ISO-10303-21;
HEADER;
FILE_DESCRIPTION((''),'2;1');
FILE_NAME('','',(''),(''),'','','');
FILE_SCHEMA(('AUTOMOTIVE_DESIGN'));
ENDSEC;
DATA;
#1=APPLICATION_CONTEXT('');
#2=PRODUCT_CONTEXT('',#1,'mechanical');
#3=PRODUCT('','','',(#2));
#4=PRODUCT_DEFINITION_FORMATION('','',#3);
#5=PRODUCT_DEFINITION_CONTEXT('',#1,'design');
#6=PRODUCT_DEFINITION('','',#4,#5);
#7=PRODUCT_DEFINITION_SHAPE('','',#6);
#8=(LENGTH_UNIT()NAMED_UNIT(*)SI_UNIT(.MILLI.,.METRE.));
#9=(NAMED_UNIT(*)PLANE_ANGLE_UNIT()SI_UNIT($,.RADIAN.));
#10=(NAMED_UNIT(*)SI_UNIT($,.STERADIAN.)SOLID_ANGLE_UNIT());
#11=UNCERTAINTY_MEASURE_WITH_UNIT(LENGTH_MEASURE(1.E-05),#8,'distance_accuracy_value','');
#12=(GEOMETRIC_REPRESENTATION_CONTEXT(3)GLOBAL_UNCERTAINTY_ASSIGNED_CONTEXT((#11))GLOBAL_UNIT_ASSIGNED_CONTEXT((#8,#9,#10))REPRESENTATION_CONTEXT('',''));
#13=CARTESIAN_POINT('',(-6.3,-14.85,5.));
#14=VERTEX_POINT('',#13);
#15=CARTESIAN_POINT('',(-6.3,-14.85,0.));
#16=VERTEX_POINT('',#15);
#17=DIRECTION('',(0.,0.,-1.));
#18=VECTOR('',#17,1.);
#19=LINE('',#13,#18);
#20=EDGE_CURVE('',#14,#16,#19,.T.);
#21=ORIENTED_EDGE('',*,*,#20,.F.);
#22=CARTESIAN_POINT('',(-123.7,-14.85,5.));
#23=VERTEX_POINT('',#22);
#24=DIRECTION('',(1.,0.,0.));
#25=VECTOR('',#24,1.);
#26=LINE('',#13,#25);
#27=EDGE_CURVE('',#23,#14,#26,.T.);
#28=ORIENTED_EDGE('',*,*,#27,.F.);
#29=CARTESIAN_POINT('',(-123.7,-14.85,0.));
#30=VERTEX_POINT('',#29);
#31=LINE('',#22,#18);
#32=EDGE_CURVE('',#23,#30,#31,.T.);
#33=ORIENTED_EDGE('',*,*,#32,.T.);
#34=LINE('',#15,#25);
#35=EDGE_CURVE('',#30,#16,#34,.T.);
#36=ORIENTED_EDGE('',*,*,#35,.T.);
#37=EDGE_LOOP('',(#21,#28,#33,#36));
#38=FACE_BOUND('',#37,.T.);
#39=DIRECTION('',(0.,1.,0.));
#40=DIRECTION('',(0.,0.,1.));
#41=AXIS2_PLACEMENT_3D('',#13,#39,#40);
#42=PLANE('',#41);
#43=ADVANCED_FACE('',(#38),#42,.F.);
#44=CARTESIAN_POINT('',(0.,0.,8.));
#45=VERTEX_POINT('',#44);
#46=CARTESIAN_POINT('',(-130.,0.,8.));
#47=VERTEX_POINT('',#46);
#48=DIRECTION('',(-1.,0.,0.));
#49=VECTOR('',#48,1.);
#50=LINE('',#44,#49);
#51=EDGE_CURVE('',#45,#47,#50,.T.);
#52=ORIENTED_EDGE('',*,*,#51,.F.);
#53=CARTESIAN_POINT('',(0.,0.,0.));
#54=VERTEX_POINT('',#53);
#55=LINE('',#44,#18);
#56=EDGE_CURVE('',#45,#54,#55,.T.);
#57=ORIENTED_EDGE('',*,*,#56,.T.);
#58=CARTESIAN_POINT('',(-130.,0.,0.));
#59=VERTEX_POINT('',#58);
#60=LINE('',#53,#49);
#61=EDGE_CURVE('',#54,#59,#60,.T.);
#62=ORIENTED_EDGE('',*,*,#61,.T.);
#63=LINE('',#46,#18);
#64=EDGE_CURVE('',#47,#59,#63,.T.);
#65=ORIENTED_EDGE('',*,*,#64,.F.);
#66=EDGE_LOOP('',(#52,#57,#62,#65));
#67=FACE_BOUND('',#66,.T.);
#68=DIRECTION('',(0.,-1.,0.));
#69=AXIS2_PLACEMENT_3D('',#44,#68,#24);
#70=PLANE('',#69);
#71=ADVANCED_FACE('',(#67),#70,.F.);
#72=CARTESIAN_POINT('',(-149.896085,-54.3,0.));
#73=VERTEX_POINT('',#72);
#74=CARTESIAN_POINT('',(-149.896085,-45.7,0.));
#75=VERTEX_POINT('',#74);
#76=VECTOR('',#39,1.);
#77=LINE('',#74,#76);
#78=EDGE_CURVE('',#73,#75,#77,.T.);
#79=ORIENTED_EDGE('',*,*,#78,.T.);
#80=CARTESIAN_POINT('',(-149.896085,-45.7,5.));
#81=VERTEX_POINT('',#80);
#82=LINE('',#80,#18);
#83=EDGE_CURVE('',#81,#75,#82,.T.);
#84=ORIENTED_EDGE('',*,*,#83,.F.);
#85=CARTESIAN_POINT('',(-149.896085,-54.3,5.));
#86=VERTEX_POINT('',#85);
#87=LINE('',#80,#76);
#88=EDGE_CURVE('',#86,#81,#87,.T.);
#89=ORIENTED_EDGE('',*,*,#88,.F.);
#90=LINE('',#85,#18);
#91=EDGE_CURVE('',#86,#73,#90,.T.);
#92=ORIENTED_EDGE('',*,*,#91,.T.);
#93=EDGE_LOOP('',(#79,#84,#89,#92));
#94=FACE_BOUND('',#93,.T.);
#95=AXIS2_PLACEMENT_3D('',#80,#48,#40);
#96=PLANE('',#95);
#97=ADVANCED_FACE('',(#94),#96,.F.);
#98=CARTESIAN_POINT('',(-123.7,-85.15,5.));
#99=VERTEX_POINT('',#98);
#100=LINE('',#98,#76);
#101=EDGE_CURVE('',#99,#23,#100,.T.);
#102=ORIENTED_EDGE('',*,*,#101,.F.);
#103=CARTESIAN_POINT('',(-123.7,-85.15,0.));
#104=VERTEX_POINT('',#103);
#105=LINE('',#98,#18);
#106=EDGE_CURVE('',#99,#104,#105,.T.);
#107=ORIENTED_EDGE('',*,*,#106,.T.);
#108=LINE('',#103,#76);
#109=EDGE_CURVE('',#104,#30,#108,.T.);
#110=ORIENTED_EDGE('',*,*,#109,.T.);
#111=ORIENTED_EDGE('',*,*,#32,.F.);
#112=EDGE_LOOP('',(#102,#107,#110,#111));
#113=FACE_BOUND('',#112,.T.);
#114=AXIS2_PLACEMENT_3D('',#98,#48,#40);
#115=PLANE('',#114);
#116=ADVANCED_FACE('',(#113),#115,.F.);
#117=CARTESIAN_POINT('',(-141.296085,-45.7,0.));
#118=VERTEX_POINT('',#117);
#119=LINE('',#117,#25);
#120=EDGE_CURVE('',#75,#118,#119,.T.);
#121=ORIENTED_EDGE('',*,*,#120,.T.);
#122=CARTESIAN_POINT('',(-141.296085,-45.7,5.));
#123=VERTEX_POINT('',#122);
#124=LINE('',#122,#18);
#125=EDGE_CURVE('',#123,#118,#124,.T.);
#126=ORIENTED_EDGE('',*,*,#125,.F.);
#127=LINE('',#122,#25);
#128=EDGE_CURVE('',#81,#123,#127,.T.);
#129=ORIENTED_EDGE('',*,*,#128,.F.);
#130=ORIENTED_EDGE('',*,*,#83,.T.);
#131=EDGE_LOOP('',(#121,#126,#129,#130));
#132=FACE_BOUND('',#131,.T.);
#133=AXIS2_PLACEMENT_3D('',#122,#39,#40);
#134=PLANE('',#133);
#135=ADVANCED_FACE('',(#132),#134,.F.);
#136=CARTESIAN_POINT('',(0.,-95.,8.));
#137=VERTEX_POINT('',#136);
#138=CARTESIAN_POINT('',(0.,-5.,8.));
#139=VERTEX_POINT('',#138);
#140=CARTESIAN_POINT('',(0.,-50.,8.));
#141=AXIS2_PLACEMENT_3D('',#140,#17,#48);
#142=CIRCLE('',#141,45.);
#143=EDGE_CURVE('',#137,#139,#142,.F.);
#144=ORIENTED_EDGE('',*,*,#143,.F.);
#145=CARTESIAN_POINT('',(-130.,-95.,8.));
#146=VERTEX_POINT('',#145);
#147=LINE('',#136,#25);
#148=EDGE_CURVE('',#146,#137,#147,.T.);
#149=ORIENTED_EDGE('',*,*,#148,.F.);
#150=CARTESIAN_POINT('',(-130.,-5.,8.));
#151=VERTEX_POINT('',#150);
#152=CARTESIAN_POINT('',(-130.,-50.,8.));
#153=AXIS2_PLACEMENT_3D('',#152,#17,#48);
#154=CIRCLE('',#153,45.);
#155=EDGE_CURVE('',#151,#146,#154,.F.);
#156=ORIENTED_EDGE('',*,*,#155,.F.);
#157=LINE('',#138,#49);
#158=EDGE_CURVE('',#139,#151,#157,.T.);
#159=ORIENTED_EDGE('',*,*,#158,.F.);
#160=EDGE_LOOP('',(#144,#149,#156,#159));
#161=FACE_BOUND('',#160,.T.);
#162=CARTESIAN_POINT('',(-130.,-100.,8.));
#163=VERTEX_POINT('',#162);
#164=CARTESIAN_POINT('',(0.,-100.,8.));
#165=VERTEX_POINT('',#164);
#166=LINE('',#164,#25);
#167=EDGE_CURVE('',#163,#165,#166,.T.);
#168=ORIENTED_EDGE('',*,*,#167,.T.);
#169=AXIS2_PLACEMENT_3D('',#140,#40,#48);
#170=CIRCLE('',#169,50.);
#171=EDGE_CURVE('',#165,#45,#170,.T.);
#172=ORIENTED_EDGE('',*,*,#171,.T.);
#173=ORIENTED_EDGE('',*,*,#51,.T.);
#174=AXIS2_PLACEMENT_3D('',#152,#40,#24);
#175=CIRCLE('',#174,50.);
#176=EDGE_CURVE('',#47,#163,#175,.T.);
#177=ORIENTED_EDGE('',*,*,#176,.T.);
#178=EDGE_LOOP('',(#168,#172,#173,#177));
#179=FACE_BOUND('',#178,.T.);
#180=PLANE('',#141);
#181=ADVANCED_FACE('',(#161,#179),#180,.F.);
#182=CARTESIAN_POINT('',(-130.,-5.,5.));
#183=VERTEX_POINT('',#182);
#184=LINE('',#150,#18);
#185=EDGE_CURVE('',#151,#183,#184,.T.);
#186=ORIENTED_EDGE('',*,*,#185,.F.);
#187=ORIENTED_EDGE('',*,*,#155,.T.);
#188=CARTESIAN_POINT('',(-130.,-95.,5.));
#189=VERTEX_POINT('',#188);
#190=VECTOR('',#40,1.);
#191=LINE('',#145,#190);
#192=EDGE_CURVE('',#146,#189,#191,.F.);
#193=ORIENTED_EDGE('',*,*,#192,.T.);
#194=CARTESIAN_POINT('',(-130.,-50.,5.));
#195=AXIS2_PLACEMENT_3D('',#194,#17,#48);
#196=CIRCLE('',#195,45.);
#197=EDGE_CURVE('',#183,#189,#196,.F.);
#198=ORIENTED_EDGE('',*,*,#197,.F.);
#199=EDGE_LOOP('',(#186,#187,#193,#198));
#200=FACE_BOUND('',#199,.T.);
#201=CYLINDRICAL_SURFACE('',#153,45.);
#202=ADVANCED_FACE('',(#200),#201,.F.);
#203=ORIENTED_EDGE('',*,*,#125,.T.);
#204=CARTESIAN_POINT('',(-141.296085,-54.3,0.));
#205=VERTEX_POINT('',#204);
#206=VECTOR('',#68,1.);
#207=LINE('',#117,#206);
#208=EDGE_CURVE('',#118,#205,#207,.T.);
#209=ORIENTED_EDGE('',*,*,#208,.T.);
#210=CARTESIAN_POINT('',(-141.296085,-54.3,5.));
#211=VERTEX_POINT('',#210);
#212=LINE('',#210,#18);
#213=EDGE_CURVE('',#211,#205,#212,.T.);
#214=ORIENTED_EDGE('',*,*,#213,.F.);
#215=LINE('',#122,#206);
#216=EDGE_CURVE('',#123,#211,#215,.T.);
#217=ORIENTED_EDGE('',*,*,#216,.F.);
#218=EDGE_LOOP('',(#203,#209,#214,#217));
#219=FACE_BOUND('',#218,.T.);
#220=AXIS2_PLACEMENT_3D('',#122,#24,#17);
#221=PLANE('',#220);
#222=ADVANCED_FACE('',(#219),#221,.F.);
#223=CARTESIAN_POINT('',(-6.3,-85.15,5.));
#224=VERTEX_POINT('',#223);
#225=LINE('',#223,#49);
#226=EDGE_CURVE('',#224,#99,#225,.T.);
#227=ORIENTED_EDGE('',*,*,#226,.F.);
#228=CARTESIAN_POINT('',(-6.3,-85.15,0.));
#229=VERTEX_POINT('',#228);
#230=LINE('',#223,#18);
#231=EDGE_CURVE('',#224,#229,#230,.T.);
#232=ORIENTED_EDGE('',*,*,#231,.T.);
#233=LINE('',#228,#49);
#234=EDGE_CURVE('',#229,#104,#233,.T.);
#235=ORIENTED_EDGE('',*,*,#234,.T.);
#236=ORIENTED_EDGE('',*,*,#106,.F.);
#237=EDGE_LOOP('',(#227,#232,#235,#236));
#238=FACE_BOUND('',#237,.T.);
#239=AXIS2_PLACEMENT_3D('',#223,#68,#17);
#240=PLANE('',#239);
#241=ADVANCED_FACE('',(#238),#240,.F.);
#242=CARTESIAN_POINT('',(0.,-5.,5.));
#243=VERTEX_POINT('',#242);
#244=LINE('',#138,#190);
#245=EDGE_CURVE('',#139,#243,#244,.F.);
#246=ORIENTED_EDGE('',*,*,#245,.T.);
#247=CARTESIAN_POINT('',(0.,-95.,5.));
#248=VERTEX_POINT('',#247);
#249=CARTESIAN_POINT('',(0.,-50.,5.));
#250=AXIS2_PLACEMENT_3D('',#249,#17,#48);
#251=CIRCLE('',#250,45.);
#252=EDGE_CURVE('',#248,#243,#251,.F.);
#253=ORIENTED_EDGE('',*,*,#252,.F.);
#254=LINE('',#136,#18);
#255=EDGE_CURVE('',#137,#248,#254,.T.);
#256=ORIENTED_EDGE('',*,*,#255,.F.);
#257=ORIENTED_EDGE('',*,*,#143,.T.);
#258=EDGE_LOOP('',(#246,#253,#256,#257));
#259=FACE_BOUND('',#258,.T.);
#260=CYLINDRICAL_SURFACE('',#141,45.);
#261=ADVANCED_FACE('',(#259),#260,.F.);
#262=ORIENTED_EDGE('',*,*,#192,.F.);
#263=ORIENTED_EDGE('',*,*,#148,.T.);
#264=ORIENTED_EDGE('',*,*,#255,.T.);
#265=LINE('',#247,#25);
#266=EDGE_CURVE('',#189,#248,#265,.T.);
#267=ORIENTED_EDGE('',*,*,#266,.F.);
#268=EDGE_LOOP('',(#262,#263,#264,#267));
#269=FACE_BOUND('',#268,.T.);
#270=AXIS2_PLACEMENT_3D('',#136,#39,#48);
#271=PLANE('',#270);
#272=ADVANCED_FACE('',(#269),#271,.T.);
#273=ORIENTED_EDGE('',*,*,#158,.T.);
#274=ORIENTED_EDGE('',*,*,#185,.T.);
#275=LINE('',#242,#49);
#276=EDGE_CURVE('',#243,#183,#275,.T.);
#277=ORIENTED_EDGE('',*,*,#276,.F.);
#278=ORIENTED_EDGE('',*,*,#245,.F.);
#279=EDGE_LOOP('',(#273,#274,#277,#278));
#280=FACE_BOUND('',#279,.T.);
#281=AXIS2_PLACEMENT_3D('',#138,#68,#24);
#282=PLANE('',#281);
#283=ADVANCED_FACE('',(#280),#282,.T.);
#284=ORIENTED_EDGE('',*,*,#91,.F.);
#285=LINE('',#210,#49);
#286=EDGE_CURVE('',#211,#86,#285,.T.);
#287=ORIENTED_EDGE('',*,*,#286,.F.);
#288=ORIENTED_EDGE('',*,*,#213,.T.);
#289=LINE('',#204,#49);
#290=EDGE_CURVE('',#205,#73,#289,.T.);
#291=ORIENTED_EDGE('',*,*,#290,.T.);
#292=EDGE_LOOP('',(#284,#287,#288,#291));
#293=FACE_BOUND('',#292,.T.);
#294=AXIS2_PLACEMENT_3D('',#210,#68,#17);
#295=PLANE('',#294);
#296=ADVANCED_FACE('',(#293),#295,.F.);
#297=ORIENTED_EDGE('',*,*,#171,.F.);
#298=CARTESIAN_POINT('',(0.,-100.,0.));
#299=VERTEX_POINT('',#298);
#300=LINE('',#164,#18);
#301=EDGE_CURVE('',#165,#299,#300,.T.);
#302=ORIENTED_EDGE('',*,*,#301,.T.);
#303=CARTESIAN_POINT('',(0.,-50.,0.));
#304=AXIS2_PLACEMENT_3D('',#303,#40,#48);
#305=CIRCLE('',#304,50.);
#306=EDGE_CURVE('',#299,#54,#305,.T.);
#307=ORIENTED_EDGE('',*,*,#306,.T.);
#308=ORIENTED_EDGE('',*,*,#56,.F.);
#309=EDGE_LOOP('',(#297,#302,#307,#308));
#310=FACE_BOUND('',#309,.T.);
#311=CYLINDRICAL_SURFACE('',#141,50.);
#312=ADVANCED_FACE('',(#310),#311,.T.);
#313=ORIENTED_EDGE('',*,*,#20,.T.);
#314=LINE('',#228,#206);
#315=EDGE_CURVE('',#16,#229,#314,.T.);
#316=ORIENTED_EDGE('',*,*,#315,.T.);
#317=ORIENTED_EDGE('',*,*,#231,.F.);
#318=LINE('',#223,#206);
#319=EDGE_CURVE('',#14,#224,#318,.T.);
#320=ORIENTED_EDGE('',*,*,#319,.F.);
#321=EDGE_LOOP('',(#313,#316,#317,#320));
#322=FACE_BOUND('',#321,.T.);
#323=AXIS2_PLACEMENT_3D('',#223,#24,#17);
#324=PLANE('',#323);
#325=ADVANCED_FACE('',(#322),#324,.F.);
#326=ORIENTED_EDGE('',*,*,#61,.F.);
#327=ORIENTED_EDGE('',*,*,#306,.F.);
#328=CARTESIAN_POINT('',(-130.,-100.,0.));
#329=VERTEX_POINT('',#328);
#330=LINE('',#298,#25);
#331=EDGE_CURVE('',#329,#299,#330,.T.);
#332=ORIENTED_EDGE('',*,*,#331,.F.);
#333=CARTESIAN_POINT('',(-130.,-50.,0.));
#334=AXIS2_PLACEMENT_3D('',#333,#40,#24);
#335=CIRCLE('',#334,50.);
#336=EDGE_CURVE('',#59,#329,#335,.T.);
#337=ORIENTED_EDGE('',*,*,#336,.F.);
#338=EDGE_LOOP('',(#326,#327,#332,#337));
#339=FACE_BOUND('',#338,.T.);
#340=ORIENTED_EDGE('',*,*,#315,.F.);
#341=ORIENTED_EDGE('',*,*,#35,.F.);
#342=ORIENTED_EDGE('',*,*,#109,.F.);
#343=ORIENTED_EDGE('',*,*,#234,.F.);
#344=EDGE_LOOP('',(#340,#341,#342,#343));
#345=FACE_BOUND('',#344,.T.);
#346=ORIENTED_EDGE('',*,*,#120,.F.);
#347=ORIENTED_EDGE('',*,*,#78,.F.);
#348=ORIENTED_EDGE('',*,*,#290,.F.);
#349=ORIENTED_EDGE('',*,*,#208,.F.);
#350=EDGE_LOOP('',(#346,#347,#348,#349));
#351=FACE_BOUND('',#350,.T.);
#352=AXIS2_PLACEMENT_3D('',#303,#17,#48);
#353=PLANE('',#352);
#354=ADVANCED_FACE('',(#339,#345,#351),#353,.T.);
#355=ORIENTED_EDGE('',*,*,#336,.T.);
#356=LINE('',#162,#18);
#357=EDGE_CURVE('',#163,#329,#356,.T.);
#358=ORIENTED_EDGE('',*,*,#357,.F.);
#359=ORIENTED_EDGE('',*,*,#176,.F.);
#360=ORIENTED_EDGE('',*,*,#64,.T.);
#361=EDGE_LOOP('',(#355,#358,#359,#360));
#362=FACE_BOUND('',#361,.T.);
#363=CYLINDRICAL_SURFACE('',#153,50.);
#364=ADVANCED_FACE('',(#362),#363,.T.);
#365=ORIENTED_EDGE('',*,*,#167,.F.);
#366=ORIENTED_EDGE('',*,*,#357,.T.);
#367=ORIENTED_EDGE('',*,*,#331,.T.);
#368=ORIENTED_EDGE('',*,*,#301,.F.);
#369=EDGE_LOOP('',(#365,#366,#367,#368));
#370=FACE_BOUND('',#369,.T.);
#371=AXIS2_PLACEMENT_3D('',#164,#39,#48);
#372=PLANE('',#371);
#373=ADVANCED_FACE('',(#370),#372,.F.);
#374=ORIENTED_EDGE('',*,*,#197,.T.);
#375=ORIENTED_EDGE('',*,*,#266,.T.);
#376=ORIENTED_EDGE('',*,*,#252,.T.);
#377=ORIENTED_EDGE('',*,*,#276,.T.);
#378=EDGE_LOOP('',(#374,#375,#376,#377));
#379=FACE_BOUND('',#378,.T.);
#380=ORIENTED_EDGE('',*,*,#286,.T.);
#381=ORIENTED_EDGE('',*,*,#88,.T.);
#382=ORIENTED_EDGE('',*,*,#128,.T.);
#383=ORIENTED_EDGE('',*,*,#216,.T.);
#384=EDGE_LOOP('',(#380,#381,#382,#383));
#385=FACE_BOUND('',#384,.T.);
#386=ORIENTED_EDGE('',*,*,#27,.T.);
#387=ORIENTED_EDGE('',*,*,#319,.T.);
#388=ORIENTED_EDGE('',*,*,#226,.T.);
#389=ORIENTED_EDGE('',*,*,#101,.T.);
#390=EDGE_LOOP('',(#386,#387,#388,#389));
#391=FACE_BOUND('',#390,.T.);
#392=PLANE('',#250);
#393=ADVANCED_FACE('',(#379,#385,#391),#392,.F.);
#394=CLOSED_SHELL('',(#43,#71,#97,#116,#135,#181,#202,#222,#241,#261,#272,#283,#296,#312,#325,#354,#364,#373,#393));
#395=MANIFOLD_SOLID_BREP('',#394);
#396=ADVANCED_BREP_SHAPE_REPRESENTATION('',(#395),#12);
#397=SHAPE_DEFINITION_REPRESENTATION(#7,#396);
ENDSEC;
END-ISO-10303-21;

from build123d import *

# Parameters (mm, degrees)
BOSS_EXTRUDE1_DEPTH = 8
SHELL1_T            = -5
SKETCH2_W           = 117.4
SKETCH2_H           = 70.3
SKETCH2_W_2         = 8.6
SKETCH2_H_2         = 8.6
CUT_EXTRUDE1_DEPTH  = 5


with BuildPart() as part:
    # Sketch1 → Boss-Extrude1 (new body)
    with BuildSketch(Plane.XY):
        with BuildLine():
            Line((0, 0), (-130, 0))
            ThreePointArc((-130, 0), (-180, -50), (-130, -100))
            Line((-130, -100), (0, -100))
            ThreePointArc((0, -100), (50, -50), (0, 0))
        make_face()
    extrude(amount=BOSS_EXTRUDE1_DEPTH)

    # Shell1
    shell1_openings = [part.faces().sort_by_distance(p)[0] for p in [
        (-65, -50, 8),
    ]]
    offset(amount=SHELL1_T, openings=shell1_openings, kind=Kind.INTERSECTION)

    # Sketch2 → Cut-Extrude1 (cut)
    with BuildSketch(Plane(origin=(0, 0, 0), x_dir=(-1, 0, 0), z_dir=(0, 0, -1))):
        with Locations((65, -50)):
            Rectangle(SKETCH2_W, SKETCH2_H)
        with Locations((145.596085379, -50)):
            Rectangle(SKETCH2_W_2, SKETCH2_H_2)
    extrude(amount=-CUT_EXTRUDE1_DEPTH, mode=Mode.SUBTRACT)


solid = part.part
